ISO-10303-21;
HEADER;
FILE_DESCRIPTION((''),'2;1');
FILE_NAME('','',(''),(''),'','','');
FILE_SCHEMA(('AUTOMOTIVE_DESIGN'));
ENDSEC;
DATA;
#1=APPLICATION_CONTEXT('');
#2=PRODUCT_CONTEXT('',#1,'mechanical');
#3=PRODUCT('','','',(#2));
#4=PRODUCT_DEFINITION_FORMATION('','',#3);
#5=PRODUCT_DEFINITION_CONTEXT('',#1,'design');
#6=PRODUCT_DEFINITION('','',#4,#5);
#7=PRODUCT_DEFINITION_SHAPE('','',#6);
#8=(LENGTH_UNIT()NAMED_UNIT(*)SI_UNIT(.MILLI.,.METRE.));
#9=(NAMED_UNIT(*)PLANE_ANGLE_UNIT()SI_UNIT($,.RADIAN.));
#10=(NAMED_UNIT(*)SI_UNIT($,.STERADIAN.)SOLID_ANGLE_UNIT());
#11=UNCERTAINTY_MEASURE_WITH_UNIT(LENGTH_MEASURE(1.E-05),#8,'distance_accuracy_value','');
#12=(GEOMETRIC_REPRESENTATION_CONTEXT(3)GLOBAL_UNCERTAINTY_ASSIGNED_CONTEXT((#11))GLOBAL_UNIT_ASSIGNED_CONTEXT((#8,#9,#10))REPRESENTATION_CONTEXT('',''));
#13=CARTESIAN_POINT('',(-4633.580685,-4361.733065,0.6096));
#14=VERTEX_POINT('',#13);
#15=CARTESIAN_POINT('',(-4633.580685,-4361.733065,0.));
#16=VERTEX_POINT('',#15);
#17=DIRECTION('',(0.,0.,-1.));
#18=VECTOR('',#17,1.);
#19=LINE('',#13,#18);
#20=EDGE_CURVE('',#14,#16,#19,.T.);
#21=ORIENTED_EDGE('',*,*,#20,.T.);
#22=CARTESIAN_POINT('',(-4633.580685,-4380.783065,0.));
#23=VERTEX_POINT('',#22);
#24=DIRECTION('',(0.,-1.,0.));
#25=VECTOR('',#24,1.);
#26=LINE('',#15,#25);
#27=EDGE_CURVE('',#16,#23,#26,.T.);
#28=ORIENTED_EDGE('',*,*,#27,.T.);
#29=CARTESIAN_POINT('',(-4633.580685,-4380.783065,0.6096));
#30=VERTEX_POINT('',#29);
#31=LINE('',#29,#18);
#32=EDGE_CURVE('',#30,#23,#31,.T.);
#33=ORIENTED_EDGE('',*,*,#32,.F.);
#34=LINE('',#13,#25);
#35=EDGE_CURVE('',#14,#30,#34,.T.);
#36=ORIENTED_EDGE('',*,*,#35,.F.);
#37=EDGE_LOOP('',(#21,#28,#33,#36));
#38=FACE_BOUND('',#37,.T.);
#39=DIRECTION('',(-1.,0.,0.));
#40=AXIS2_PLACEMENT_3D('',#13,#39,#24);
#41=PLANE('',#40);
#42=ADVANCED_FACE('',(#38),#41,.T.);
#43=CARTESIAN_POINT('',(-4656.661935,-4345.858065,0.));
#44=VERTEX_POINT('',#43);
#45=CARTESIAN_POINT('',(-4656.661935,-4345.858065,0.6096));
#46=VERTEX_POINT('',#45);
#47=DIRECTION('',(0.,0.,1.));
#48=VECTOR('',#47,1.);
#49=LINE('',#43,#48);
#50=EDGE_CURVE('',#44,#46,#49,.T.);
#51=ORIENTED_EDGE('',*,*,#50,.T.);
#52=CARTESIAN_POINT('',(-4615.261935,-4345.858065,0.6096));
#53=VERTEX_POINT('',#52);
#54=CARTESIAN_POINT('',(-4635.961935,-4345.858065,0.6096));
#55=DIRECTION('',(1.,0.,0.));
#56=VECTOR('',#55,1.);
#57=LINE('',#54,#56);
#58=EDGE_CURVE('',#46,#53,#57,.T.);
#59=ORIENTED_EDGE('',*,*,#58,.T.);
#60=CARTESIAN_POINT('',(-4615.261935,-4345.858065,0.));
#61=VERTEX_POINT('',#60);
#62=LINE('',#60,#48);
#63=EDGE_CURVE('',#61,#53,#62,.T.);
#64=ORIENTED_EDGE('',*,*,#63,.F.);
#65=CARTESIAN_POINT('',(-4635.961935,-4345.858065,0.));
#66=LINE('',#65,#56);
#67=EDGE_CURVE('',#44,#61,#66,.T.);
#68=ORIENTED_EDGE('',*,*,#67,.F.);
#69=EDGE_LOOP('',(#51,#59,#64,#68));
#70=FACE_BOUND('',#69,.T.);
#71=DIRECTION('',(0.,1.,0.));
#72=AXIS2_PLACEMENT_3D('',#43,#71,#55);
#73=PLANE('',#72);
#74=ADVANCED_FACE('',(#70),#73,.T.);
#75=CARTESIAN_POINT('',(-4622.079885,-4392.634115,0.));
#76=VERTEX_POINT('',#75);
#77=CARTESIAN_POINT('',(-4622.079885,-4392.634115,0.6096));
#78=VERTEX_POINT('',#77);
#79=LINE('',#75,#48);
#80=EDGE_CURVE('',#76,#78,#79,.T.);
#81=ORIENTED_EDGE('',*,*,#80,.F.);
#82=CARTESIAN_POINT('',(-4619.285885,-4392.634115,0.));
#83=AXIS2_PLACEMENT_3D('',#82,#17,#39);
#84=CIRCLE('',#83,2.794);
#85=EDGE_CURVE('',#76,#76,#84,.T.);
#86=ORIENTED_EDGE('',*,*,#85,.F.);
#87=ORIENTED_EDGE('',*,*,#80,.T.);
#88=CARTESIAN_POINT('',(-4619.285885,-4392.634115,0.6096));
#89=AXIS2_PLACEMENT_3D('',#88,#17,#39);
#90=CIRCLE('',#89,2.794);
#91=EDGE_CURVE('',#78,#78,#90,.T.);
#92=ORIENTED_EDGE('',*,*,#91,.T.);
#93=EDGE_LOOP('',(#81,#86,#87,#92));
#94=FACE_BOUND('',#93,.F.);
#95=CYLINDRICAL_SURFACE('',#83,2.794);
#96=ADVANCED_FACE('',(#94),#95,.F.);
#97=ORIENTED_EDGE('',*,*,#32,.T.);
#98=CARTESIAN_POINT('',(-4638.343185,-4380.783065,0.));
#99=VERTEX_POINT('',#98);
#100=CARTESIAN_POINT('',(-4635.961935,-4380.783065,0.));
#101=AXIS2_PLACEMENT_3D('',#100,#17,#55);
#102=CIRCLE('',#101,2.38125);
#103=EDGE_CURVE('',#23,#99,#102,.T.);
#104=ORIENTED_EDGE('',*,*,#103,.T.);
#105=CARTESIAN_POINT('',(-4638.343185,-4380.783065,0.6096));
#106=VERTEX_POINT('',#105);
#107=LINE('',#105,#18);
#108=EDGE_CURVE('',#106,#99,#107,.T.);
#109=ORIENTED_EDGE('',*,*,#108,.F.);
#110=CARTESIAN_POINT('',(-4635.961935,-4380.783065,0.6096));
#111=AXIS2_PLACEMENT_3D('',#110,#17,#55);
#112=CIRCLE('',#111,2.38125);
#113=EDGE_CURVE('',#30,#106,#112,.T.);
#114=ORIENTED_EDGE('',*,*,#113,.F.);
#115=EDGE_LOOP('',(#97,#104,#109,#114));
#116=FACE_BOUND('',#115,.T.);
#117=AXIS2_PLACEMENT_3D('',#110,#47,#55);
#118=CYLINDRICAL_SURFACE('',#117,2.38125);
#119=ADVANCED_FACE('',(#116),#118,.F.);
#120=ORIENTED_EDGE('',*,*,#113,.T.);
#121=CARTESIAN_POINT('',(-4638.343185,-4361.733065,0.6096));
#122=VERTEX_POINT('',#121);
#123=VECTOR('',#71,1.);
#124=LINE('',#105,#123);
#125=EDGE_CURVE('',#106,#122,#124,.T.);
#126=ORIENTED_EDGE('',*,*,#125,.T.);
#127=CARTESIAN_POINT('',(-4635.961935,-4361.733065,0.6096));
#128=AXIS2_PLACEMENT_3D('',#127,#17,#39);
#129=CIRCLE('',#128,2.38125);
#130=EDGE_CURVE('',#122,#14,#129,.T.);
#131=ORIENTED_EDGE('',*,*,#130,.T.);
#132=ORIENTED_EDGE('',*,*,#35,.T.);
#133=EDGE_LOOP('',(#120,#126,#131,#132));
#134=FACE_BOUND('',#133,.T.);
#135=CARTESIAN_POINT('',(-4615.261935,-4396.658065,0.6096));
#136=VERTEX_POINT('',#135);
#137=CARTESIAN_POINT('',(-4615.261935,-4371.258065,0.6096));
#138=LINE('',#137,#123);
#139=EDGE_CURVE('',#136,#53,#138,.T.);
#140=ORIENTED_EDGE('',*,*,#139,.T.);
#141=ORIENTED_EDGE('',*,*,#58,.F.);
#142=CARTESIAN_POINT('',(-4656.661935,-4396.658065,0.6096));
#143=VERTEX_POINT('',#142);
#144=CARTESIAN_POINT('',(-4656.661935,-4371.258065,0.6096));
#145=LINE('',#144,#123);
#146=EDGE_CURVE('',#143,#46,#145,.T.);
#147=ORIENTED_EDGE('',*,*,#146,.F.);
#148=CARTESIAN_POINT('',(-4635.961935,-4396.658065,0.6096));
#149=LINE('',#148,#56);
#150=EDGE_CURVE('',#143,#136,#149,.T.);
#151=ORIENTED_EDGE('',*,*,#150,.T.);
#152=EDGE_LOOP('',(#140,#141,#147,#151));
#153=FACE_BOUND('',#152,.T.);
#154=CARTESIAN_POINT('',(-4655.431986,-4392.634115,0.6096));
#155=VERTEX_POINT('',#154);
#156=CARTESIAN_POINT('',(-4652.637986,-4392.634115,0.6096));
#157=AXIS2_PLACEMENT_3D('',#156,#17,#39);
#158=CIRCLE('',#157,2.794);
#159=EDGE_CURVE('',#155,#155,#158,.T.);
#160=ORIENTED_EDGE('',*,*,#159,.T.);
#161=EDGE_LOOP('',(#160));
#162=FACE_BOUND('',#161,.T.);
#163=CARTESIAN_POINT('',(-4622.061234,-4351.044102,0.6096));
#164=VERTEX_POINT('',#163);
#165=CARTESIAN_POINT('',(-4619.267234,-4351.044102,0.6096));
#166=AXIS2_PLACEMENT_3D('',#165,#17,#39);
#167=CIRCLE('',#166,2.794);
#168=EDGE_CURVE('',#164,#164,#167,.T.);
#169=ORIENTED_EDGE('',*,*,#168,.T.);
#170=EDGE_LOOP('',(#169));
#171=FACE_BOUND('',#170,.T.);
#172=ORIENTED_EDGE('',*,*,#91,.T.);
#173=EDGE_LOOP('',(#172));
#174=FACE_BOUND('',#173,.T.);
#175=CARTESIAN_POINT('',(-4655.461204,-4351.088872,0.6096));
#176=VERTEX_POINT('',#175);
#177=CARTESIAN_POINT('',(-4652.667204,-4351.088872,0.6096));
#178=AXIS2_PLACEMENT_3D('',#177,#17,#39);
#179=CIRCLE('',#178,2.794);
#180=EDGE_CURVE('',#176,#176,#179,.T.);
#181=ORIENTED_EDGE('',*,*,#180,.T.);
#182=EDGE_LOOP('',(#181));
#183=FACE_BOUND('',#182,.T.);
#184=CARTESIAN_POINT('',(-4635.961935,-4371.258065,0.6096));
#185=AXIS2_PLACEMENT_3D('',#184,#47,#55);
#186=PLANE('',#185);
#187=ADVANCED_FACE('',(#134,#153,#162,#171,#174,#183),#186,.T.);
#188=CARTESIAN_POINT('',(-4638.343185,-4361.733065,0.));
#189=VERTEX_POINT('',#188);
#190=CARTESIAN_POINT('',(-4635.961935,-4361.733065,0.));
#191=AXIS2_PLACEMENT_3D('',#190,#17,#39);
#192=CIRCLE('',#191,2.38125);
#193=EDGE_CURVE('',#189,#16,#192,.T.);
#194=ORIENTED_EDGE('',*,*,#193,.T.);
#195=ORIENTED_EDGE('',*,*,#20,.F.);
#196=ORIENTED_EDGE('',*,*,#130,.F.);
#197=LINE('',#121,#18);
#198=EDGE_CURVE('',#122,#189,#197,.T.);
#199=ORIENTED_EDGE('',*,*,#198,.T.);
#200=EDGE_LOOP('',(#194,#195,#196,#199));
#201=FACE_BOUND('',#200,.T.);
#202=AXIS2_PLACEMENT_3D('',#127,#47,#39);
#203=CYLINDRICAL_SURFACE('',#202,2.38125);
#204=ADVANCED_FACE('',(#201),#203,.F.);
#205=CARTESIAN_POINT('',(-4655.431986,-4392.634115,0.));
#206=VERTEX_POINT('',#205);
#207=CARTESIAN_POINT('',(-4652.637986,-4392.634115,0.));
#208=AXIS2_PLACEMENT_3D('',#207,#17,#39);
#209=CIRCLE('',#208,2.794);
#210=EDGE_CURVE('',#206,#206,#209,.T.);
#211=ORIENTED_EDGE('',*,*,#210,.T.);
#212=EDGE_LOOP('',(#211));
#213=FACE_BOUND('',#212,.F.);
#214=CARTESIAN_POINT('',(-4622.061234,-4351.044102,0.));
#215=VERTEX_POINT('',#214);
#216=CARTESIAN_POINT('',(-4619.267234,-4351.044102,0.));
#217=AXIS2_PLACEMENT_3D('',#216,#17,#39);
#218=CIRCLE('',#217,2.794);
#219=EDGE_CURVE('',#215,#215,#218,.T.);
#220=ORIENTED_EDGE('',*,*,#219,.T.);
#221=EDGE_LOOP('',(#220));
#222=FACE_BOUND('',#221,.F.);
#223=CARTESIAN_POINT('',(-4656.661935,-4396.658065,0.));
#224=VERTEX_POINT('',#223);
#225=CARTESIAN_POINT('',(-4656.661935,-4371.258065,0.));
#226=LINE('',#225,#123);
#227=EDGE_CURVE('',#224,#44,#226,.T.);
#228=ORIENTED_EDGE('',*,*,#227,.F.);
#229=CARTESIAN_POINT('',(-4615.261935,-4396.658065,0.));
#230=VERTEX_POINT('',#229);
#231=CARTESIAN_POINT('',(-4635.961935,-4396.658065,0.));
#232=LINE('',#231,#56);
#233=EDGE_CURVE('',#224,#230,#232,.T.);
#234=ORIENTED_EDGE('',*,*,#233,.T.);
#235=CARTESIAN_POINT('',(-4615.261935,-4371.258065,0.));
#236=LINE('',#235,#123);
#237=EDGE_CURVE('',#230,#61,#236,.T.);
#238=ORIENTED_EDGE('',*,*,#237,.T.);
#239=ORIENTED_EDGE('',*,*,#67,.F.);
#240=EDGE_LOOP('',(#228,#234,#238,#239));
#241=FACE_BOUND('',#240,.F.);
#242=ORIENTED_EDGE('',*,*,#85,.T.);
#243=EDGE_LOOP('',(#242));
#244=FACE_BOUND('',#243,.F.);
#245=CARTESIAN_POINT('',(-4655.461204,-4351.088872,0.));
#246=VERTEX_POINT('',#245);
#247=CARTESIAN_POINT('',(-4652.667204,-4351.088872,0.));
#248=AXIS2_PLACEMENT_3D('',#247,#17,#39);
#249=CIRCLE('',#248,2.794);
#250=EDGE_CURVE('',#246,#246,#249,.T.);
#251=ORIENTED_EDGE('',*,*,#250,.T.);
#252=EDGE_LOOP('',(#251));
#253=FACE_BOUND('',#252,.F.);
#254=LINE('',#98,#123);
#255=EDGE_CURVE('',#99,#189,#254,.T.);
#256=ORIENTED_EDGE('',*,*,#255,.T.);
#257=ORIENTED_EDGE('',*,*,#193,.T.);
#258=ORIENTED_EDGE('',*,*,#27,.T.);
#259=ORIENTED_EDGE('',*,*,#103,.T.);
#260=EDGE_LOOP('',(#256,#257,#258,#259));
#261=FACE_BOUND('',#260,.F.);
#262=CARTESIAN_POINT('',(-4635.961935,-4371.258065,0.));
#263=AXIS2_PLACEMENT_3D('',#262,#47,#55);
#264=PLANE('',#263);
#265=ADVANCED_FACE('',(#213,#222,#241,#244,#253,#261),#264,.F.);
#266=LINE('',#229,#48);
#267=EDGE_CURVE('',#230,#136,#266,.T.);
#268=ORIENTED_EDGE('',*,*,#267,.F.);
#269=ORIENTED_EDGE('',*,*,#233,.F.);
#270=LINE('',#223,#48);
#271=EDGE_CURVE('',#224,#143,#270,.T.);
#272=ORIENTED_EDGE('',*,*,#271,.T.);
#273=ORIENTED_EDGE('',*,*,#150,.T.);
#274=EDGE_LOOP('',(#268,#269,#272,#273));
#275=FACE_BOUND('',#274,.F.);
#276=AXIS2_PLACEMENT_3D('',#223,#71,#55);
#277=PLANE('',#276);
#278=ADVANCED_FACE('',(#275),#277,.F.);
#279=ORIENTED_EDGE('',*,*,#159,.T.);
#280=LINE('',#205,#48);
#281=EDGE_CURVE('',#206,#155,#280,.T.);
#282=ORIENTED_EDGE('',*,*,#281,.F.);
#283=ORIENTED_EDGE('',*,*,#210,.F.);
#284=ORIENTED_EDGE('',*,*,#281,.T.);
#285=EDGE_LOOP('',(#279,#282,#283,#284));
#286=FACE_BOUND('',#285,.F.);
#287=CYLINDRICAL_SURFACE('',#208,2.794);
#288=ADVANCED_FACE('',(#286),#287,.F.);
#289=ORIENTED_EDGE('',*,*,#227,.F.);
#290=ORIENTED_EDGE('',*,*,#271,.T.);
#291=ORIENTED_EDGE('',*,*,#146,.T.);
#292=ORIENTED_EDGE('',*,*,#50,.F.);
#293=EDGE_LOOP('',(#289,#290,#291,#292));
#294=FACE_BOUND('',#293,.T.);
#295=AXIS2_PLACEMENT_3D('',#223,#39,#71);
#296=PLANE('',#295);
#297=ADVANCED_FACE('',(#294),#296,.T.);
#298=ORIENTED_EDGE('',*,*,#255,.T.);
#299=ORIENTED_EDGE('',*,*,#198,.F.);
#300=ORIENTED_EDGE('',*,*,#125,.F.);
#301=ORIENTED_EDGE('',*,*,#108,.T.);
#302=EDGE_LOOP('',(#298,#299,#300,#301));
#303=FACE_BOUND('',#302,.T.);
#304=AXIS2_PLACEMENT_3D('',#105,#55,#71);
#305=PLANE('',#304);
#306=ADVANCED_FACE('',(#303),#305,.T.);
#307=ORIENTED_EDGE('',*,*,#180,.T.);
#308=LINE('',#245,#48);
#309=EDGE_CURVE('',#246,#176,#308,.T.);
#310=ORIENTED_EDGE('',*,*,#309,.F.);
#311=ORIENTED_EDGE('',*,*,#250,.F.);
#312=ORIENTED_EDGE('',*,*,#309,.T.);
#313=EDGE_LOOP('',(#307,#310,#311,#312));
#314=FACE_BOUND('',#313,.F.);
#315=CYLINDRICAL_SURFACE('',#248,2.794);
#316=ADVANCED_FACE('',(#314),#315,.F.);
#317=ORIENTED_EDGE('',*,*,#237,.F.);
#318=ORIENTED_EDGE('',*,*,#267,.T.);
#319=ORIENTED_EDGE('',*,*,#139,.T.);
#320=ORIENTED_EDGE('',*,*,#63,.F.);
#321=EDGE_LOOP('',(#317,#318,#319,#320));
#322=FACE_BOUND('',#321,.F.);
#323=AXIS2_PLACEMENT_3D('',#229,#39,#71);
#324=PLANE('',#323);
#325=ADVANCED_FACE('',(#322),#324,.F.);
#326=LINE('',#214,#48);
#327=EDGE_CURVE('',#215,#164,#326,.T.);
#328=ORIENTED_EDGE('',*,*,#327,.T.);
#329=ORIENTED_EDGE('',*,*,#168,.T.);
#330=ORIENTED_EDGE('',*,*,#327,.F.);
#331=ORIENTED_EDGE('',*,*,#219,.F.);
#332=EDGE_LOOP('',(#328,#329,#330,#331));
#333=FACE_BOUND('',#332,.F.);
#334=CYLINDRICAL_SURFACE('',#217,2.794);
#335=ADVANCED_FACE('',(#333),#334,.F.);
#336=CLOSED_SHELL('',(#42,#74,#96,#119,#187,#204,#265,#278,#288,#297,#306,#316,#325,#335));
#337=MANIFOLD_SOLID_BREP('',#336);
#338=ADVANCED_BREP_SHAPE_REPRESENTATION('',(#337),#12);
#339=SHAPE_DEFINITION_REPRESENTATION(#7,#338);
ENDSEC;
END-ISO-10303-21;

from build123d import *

# Parameters (mm, degrees)
SKETCH1_W           = 41.4
SKETCH1_H           = 50.8
BOSS_EXTRUDE1_DEPTH = 0.6096
CUT_EXTRUDE2_DEPTH  = 0.6096
SKETCH9_R           = 2.794
CUT_EXTRUDE3_DEPTH  = 0.6096


with BuildPart() as part:
    # Sketch1 → Boss-Extrude1 (new body)
    with BuildSketch(Plane.XY):
        with Locations((-4635.961935484, -4371.258064516)):
            Rectangle(SKETCH1_W, SKETCH1_H)
    extrude(amount=BOSS_EXTRUDE1_DEPTH)

    # Sketch4 → Cut-Extrude2 (cut)
    with BuildSketch(Plane.XY.offset(0.6096)):
        with BuildLine():
            Line((-4638.343185484, -4380.783064516), (-4638.343185484, -4361.733064516))
            ThreePointArc((-4638.343185484, -4361.733064516), (-4635.961935484, -4359.351814516), (-4633.580685484, -4361.733064516))
            Line((-4633.580685484, -4361.733064516), (-4633.580685484, -4380.783064516))
            ThreePointArc((-4633.580685484, -4380.783064516), (-4635.961935484, -4383.164314516), (-4638.343185484, -4380.783064516))
        make_face()
    extrude(amount=-CUT_EXTRUDE2_DEPTH, mode=Mode.SUBTRACT)

    # Sketch9 → Cut-Extrude3 (cut)
    with BuildSketch(Plane(origin=(0, 0, 0), x_dir=(-1, 0, 0), z_dir=(0, 0, -1))):
        with Locations((4619.267234292, -4351.044101977)):
            Circle(SKETCH9_R)
        with Locations((4652.667204287, -4351.088871634)):
            Circle(SKETCH9_R)
        with Locations((4619.28588452, -4392.63411548)):
            Circle(SKETCH9_R)
        with Locations((4652.637986448, -4392.63411548)):
            Circle(SKETCH9_R)
    extrude(amount=-CUT_EXTRUDE3_DEPTH, mode=Mode.SUBTRACT)


solid = part.part
